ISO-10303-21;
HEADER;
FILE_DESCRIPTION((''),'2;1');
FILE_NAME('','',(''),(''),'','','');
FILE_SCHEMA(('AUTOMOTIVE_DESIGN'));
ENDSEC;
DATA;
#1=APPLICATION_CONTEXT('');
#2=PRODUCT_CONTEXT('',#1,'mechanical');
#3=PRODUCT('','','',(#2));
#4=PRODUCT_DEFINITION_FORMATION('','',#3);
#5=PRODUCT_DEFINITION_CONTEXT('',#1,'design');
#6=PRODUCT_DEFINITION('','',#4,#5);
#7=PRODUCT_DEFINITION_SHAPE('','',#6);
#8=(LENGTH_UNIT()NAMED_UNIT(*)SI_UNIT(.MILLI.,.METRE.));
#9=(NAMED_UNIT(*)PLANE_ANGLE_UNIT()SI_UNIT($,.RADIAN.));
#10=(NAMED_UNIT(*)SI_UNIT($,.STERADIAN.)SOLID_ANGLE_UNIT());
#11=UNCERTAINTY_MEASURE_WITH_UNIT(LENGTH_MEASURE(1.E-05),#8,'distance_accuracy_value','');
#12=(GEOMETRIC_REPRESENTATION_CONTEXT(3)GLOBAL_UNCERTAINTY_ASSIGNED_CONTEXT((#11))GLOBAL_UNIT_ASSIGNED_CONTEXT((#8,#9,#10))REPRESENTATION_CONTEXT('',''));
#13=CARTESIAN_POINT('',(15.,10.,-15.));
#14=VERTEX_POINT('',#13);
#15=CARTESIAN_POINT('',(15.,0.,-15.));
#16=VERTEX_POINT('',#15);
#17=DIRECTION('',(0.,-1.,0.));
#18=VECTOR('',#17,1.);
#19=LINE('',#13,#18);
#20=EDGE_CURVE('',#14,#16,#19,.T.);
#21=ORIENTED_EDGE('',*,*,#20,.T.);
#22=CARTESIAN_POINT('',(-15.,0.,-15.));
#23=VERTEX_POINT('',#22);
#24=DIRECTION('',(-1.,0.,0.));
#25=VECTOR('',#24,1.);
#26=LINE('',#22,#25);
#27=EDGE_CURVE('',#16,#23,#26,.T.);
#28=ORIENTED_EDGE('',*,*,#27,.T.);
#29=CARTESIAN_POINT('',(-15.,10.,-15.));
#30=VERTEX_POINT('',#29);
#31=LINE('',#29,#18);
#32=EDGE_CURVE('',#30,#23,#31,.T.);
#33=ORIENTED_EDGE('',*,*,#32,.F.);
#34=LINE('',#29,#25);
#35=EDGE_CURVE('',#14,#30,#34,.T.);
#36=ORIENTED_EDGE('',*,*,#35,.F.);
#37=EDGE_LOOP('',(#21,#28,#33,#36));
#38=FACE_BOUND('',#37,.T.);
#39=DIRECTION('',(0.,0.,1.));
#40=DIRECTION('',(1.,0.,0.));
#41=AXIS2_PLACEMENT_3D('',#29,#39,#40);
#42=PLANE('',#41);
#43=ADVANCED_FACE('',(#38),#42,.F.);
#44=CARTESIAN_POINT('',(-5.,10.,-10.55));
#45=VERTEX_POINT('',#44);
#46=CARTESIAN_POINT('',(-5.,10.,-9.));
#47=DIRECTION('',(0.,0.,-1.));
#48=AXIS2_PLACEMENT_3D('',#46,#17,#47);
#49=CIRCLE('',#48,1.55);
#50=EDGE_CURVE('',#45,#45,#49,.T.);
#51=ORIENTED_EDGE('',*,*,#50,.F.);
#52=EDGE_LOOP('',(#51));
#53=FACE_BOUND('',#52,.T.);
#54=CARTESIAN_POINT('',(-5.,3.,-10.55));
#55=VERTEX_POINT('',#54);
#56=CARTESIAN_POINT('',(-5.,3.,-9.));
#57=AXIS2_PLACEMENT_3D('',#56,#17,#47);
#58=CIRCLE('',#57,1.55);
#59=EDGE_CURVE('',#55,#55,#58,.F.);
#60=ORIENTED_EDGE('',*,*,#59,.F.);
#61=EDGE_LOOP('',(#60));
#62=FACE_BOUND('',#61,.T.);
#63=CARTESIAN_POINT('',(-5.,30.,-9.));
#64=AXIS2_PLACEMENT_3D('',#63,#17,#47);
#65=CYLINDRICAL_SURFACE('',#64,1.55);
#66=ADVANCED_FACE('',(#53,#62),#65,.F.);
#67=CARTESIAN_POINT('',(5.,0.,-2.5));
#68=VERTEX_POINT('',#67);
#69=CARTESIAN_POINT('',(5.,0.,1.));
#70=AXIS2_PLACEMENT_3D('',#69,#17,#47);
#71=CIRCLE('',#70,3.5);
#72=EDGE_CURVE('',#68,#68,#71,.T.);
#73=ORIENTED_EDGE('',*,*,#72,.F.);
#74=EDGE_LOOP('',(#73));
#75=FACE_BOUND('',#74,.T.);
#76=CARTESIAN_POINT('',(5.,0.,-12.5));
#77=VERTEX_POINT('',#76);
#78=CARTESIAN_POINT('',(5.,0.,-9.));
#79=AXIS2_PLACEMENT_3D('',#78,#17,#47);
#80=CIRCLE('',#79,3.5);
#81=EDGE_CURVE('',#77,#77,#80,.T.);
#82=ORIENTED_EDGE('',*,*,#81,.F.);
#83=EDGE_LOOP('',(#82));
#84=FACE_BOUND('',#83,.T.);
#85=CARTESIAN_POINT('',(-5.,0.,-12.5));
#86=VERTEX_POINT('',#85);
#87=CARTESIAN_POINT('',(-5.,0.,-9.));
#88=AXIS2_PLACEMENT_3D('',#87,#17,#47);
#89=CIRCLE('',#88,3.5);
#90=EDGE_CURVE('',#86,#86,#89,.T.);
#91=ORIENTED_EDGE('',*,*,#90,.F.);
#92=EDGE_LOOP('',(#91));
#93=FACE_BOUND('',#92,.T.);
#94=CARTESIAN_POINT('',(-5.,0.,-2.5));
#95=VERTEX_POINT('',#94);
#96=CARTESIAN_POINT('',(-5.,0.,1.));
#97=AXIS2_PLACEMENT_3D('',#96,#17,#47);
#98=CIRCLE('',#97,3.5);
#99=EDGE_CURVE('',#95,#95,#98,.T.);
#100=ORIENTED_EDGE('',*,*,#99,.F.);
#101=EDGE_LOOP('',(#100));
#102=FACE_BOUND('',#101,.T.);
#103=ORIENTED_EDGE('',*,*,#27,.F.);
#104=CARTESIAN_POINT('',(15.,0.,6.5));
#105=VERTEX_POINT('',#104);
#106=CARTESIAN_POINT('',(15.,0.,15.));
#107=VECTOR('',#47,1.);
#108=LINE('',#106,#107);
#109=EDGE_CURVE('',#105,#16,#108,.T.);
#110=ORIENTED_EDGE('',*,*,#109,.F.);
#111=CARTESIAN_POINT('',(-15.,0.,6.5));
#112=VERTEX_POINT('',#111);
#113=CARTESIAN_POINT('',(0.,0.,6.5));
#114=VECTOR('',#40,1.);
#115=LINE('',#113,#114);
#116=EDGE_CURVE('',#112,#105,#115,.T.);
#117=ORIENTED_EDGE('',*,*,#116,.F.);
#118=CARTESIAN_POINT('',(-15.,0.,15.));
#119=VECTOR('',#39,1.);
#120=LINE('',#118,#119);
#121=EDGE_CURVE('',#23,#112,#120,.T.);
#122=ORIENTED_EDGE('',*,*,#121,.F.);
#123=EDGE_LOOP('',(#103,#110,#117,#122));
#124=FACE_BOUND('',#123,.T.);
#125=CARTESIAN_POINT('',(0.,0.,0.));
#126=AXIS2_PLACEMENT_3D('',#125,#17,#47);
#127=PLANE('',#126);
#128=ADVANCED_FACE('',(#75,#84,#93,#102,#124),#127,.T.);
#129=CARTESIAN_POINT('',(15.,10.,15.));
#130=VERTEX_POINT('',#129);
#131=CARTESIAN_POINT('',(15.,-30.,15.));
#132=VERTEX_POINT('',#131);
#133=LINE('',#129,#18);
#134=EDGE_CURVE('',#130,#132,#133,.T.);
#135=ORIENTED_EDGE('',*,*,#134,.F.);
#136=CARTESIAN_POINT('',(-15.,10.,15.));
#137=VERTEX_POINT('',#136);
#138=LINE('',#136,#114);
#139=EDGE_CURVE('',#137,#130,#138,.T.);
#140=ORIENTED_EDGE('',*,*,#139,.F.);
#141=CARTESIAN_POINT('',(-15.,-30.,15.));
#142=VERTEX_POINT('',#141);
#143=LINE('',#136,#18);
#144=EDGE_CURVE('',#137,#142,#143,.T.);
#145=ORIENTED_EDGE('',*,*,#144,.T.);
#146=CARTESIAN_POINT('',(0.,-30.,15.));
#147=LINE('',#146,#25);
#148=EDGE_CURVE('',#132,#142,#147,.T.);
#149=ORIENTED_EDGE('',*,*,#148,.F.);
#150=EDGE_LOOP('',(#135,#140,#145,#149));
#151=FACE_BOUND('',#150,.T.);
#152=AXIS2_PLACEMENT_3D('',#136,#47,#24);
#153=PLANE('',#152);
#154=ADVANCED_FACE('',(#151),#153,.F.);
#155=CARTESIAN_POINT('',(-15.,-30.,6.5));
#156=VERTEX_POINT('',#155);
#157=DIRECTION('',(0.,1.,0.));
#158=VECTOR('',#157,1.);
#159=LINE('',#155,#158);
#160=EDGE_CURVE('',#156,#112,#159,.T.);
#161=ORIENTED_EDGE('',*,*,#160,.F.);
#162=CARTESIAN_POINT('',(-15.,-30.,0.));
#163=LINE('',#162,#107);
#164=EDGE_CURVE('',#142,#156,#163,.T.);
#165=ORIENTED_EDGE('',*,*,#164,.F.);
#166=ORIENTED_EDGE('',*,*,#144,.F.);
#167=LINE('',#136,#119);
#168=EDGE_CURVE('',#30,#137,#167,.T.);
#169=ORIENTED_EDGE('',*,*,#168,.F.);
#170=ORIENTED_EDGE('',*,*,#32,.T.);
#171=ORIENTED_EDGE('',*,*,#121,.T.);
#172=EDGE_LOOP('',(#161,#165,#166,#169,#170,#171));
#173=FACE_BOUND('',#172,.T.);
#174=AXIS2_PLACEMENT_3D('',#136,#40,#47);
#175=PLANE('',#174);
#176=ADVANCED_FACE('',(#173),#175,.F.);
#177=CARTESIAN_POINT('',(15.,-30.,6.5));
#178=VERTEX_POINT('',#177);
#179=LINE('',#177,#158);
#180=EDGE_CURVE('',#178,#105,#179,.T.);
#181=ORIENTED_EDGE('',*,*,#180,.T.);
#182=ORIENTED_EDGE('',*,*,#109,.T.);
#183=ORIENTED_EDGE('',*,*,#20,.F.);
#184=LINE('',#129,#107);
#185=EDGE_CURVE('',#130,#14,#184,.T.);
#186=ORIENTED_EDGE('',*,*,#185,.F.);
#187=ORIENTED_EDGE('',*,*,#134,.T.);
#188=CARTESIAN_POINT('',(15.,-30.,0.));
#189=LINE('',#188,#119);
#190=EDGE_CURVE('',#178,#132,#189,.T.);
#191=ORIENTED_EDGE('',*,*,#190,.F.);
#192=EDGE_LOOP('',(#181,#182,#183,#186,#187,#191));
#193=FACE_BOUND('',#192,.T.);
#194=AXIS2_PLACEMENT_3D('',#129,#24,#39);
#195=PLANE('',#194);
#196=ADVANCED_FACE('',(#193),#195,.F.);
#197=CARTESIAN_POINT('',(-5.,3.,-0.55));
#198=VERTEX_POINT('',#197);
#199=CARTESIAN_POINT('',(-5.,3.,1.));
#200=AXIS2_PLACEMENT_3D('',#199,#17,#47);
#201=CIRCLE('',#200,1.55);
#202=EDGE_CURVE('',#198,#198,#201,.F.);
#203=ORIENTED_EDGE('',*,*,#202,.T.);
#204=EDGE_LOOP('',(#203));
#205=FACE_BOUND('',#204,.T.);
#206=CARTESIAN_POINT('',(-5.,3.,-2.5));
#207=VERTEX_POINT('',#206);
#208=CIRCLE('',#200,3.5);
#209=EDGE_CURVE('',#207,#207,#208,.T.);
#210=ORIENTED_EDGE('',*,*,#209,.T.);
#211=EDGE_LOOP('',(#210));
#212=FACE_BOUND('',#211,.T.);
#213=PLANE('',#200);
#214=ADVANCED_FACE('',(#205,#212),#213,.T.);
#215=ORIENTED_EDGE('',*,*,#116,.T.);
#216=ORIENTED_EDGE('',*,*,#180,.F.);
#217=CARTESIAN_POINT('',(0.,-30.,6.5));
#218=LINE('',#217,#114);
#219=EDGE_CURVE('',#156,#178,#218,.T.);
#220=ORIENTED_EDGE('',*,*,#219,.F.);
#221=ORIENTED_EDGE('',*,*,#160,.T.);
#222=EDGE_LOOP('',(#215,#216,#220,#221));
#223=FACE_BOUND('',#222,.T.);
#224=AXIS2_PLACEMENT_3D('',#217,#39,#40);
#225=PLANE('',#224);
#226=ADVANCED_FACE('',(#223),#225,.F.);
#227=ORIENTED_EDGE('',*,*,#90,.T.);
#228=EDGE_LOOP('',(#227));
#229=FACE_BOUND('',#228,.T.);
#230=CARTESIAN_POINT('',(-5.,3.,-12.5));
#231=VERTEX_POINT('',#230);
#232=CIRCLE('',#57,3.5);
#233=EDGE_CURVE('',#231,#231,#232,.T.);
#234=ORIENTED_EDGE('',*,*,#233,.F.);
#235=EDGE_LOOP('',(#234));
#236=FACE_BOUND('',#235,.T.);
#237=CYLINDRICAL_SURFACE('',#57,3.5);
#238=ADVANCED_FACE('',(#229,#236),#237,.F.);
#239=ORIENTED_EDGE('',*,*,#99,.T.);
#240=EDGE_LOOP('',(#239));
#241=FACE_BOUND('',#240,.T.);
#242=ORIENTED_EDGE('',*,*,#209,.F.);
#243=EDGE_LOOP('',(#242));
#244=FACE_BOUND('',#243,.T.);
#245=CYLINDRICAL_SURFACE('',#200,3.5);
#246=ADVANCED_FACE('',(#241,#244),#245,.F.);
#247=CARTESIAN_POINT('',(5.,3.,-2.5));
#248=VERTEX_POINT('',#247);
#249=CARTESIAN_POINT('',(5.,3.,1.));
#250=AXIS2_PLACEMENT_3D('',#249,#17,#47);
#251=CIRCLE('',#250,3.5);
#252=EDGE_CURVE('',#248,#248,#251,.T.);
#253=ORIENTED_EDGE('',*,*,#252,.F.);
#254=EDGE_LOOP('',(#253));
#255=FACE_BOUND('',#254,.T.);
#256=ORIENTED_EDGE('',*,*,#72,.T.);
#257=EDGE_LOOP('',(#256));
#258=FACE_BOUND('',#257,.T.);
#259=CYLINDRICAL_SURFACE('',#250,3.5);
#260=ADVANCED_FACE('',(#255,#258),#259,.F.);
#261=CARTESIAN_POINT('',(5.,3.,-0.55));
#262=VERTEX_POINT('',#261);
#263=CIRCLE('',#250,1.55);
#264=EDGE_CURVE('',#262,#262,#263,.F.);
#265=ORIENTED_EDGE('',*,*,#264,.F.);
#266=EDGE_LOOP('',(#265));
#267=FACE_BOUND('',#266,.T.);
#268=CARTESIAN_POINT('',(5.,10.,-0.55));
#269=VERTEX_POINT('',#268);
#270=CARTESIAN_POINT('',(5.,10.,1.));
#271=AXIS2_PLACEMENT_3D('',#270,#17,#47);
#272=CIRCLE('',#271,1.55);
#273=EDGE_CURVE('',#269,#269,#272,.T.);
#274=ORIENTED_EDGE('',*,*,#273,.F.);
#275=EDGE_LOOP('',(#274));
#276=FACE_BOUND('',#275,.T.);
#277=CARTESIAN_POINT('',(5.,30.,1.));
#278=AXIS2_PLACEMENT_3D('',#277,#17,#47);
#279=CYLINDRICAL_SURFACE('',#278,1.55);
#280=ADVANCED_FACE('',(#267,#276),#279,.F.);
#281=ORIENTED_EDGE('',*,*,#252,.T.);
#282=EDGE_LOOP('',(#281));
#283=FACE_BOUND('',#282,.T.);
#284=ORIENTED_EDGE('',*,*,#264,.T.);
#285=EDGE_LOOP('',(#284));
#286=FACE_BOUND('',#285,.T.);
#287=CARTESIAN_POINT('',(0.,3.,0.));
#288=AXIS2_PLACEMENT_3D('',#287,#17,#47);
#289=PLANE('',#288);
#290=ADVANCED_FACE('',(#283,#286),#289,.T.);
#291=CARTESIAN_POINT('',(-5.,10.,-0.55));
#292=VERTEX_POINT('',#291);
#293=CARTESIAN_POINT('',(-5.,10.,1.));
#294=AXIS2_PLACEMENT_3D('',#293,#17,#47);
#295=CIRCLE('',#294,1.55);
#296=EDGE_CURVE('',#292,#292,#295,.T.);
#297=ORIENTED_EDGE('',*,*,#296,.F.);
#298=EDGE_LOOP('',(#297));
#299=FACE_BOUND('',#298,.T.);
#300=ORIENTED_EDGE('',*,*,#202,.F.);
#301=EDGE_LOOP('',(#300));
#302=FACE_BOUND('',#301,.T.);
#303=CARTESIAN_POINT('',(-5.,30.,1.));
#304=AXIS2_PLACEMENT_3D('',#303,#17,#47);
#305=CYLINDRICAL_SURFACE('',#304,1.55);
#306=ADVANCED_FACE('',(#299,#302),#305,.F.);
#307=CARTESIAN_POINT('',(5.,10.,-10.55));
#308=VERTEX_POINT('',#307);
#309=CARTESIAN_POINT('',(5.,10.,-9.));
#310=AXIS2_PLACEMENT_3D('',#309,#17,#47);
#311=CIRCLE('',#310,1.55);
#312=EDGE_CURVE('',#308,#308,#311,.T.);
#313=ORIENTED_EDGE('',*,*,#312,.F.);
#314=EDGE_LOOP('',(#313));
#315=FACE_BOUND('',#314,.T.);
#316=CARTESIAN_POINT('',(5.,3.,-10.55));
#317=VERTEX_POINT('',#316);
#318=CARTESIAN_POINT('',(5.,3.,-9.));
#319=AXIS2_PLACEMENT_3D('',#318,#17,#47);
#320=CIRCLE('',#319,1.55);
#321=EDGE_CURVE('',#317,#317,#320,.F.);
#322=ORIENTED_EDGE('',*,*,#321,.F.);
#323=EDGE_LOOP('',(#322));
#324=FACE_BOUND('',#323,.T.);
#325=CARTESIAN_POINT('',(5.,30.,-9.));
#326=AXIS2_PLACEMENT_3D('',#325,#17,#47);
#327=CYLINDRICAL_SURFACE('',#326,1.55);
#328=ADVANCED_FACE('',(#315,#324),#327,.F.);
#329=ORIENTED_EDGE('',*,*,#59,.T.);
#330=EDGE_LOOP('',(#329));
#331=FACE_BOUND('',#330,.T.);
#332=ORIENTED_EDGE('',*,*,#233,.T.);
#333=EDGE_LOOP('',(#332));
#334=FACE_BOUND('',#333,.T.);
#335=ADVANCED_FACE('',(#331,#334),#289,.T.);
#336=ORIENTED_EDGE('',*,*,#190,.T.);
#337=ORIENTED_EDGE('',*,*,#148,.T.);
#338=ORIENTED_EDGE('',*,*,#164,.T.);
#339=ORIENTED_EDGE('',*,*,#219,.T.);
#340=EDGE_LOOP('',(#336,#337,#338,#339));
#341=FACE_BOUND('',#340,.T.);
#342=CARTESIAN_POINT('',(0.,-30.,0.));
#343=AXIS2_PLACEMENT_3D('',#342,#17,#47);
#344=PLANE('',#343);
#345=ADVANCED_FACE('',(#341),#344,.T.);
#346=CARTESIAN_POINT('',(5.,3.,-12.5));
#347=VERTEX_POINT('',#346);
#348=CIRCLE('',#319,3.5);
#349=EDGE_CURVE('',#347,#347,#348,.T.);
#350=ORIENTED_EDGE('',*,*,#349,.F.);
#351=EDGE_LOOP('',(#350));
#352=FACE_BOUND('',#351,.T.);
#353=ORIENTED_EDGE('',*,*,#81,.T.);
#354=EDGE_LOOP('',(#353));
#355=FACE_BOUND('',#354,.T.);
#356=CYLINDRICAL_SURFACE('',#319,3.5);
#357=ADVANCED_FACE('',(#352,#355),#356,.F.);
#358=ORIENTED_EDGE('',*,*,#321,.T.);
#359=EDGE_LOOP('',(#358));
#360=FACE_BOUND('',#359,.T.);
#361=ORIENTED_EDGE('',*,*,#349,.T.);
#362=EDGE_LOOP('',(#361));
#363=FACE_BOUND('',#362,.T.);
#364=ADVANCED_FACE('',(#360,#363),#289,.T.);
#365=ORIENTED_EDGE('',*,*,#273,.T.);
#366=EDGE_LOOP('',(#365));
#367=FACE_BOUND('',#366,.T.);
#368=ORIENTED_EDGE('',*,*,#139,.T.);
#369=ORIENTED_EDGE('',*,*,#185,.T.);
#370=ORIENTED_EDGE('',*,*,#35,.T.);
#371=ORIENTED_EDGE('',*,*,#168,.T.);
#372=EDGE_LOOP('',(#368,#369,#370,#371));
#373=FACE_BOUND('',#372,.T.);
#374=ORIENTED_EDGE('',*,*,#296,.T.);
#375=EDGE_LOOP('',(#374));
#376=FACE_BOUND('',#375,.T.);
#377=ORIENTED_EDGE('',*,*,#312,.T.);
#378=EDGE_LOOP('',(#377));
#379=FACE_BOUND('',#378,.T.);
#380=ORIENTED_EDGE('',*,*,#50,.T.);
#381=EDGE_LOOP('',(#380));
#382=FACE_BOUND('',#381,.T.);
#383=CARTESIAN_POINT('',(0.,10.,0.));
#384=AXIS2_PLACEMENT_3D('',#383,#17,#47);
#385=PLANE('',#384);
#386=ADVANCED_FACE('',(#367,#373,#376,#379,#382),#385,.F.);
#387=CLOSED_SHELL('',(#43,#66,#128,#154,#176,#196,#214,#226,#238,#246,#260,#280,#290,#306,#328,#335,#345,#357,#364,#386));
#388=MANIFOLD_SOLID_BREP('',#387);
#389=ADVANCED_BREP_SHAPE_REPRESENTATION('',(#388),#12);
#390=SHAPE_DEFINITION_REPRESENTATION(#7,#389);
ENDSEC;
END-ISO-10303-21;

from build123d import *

# Parameters (mm, degrees)
SKETCH_1_W          = 30
SKETCH_1_H          = 30
EXTRUDE_1_DEPTH     = 10
SKETCH_3_W          = 30
SKETCH_3_H          = 7
SKETCH_3_H_2        = 1.5
EXTRUDE_3_DEPTH     = 30
SKETCH_4_R          = 1.55
CUT_EXTRUDE_1_DEPTH = 30
SKETCH_5_R          = 3.5
SKETCH_5_R_2        = 1.55
CUT_EXTRUDE_2_DEPTH = 3


with BuildPart() as part:
    # 草图1 → 凸台-拉伸1 (new body)
    with BuildSketch(Plane(origin=(0, 0, 0), x_dir=(1, 0, 0), z_dir=(0, 1, 0))):
        Rectangle(SKETCH_1_W, SKETCH_1_H)
    extrude(amount=EXTRUDE_1_DEPTH)

    # 草图3 → 凸台-拉伸3 (add)
    with BuildSketch(Plane.XZ):
        with Locations((0, 10)):
            Rectangle(SKETCH_3_W, SKETCH_3_H)
        with Locations((0, 14.25)):
            Rectangle(SKETCH_3_W, SKETCH_3_H_2)
    extrude(amount=EXTRUDE_3_DEPTH)

    # 草图4 → 切除-拉伸1 (cut)
    with BuildSketch(Plane.XZ):
        with Locations(Location((5, 1, 0), (0, 0, 270))):
            Circle(SKETCH_4_R)
        with Locations(Location((5, -9, 0), (0, 0, 270))):
            Circle(SKETCH_4_R)
        with Locations(Location((-5, 1, 0), (0, 0, 270))):
            Circle(SKETCH_4_R)
        with Locations(Location((-5, -9, 0), (0, 0, 270))):
            Circle(SKETCH_4_R)
    extrude(amount=-CUT_EXTRUDE_1_DEPTH, mode=Mode.SUBTRACT)

    # 草图5 → 切除-拉伸2 (cut)
    # profile 1 of 4: a face of its own
    with BuildSketch(Plane.XZ):
        with Locations(Location((5, 1, 0), (0, 0, 270))):
            Circle(SKETCH_5_R)
        with Locations(Location((5, 1, 0), (0, 0, 270))):
            Circle(SKETCH_5_R_2, mode=Mode.SUBTRACT)
    # profile 2 of 4: a face of its own
    with BuildSketch(Plane.XZ):
        with Locations(Location((5, -9, 0), (0, 0, 270))):
            Circle(SKETCH_5_R)
        with Locations(Location((5, -9, 0), (0, 0, 270))):
            Circle(SKETCH_5_R_2, mode=Mode.SUBTRACT)
    # profile 3 of 4: a face of its own
    with BuildSketch(Plane.XZ):
        with Locations(Location((-5, -9, 0), (0, 0, 270))):
            Circle(SKETCH_5_R)
        with Locations(Location((-5, -9, 0), (0, 0, 270))):
            Circle(SKETCH_5_R_2, mode=Mode.SUBTRACT)
    # profile 4 of 4: a face of its own
    with BuildSketch(Plane.XZ):
        with Locations(Location((-5, 1, 0), (0, 0, 270))):
            Circle(SKETCH_5_R)
    extrude(amount=-CUT_EXTRUDE_2_DEPTH, mode=Mode.SUBTRACT)


solid = part.part
